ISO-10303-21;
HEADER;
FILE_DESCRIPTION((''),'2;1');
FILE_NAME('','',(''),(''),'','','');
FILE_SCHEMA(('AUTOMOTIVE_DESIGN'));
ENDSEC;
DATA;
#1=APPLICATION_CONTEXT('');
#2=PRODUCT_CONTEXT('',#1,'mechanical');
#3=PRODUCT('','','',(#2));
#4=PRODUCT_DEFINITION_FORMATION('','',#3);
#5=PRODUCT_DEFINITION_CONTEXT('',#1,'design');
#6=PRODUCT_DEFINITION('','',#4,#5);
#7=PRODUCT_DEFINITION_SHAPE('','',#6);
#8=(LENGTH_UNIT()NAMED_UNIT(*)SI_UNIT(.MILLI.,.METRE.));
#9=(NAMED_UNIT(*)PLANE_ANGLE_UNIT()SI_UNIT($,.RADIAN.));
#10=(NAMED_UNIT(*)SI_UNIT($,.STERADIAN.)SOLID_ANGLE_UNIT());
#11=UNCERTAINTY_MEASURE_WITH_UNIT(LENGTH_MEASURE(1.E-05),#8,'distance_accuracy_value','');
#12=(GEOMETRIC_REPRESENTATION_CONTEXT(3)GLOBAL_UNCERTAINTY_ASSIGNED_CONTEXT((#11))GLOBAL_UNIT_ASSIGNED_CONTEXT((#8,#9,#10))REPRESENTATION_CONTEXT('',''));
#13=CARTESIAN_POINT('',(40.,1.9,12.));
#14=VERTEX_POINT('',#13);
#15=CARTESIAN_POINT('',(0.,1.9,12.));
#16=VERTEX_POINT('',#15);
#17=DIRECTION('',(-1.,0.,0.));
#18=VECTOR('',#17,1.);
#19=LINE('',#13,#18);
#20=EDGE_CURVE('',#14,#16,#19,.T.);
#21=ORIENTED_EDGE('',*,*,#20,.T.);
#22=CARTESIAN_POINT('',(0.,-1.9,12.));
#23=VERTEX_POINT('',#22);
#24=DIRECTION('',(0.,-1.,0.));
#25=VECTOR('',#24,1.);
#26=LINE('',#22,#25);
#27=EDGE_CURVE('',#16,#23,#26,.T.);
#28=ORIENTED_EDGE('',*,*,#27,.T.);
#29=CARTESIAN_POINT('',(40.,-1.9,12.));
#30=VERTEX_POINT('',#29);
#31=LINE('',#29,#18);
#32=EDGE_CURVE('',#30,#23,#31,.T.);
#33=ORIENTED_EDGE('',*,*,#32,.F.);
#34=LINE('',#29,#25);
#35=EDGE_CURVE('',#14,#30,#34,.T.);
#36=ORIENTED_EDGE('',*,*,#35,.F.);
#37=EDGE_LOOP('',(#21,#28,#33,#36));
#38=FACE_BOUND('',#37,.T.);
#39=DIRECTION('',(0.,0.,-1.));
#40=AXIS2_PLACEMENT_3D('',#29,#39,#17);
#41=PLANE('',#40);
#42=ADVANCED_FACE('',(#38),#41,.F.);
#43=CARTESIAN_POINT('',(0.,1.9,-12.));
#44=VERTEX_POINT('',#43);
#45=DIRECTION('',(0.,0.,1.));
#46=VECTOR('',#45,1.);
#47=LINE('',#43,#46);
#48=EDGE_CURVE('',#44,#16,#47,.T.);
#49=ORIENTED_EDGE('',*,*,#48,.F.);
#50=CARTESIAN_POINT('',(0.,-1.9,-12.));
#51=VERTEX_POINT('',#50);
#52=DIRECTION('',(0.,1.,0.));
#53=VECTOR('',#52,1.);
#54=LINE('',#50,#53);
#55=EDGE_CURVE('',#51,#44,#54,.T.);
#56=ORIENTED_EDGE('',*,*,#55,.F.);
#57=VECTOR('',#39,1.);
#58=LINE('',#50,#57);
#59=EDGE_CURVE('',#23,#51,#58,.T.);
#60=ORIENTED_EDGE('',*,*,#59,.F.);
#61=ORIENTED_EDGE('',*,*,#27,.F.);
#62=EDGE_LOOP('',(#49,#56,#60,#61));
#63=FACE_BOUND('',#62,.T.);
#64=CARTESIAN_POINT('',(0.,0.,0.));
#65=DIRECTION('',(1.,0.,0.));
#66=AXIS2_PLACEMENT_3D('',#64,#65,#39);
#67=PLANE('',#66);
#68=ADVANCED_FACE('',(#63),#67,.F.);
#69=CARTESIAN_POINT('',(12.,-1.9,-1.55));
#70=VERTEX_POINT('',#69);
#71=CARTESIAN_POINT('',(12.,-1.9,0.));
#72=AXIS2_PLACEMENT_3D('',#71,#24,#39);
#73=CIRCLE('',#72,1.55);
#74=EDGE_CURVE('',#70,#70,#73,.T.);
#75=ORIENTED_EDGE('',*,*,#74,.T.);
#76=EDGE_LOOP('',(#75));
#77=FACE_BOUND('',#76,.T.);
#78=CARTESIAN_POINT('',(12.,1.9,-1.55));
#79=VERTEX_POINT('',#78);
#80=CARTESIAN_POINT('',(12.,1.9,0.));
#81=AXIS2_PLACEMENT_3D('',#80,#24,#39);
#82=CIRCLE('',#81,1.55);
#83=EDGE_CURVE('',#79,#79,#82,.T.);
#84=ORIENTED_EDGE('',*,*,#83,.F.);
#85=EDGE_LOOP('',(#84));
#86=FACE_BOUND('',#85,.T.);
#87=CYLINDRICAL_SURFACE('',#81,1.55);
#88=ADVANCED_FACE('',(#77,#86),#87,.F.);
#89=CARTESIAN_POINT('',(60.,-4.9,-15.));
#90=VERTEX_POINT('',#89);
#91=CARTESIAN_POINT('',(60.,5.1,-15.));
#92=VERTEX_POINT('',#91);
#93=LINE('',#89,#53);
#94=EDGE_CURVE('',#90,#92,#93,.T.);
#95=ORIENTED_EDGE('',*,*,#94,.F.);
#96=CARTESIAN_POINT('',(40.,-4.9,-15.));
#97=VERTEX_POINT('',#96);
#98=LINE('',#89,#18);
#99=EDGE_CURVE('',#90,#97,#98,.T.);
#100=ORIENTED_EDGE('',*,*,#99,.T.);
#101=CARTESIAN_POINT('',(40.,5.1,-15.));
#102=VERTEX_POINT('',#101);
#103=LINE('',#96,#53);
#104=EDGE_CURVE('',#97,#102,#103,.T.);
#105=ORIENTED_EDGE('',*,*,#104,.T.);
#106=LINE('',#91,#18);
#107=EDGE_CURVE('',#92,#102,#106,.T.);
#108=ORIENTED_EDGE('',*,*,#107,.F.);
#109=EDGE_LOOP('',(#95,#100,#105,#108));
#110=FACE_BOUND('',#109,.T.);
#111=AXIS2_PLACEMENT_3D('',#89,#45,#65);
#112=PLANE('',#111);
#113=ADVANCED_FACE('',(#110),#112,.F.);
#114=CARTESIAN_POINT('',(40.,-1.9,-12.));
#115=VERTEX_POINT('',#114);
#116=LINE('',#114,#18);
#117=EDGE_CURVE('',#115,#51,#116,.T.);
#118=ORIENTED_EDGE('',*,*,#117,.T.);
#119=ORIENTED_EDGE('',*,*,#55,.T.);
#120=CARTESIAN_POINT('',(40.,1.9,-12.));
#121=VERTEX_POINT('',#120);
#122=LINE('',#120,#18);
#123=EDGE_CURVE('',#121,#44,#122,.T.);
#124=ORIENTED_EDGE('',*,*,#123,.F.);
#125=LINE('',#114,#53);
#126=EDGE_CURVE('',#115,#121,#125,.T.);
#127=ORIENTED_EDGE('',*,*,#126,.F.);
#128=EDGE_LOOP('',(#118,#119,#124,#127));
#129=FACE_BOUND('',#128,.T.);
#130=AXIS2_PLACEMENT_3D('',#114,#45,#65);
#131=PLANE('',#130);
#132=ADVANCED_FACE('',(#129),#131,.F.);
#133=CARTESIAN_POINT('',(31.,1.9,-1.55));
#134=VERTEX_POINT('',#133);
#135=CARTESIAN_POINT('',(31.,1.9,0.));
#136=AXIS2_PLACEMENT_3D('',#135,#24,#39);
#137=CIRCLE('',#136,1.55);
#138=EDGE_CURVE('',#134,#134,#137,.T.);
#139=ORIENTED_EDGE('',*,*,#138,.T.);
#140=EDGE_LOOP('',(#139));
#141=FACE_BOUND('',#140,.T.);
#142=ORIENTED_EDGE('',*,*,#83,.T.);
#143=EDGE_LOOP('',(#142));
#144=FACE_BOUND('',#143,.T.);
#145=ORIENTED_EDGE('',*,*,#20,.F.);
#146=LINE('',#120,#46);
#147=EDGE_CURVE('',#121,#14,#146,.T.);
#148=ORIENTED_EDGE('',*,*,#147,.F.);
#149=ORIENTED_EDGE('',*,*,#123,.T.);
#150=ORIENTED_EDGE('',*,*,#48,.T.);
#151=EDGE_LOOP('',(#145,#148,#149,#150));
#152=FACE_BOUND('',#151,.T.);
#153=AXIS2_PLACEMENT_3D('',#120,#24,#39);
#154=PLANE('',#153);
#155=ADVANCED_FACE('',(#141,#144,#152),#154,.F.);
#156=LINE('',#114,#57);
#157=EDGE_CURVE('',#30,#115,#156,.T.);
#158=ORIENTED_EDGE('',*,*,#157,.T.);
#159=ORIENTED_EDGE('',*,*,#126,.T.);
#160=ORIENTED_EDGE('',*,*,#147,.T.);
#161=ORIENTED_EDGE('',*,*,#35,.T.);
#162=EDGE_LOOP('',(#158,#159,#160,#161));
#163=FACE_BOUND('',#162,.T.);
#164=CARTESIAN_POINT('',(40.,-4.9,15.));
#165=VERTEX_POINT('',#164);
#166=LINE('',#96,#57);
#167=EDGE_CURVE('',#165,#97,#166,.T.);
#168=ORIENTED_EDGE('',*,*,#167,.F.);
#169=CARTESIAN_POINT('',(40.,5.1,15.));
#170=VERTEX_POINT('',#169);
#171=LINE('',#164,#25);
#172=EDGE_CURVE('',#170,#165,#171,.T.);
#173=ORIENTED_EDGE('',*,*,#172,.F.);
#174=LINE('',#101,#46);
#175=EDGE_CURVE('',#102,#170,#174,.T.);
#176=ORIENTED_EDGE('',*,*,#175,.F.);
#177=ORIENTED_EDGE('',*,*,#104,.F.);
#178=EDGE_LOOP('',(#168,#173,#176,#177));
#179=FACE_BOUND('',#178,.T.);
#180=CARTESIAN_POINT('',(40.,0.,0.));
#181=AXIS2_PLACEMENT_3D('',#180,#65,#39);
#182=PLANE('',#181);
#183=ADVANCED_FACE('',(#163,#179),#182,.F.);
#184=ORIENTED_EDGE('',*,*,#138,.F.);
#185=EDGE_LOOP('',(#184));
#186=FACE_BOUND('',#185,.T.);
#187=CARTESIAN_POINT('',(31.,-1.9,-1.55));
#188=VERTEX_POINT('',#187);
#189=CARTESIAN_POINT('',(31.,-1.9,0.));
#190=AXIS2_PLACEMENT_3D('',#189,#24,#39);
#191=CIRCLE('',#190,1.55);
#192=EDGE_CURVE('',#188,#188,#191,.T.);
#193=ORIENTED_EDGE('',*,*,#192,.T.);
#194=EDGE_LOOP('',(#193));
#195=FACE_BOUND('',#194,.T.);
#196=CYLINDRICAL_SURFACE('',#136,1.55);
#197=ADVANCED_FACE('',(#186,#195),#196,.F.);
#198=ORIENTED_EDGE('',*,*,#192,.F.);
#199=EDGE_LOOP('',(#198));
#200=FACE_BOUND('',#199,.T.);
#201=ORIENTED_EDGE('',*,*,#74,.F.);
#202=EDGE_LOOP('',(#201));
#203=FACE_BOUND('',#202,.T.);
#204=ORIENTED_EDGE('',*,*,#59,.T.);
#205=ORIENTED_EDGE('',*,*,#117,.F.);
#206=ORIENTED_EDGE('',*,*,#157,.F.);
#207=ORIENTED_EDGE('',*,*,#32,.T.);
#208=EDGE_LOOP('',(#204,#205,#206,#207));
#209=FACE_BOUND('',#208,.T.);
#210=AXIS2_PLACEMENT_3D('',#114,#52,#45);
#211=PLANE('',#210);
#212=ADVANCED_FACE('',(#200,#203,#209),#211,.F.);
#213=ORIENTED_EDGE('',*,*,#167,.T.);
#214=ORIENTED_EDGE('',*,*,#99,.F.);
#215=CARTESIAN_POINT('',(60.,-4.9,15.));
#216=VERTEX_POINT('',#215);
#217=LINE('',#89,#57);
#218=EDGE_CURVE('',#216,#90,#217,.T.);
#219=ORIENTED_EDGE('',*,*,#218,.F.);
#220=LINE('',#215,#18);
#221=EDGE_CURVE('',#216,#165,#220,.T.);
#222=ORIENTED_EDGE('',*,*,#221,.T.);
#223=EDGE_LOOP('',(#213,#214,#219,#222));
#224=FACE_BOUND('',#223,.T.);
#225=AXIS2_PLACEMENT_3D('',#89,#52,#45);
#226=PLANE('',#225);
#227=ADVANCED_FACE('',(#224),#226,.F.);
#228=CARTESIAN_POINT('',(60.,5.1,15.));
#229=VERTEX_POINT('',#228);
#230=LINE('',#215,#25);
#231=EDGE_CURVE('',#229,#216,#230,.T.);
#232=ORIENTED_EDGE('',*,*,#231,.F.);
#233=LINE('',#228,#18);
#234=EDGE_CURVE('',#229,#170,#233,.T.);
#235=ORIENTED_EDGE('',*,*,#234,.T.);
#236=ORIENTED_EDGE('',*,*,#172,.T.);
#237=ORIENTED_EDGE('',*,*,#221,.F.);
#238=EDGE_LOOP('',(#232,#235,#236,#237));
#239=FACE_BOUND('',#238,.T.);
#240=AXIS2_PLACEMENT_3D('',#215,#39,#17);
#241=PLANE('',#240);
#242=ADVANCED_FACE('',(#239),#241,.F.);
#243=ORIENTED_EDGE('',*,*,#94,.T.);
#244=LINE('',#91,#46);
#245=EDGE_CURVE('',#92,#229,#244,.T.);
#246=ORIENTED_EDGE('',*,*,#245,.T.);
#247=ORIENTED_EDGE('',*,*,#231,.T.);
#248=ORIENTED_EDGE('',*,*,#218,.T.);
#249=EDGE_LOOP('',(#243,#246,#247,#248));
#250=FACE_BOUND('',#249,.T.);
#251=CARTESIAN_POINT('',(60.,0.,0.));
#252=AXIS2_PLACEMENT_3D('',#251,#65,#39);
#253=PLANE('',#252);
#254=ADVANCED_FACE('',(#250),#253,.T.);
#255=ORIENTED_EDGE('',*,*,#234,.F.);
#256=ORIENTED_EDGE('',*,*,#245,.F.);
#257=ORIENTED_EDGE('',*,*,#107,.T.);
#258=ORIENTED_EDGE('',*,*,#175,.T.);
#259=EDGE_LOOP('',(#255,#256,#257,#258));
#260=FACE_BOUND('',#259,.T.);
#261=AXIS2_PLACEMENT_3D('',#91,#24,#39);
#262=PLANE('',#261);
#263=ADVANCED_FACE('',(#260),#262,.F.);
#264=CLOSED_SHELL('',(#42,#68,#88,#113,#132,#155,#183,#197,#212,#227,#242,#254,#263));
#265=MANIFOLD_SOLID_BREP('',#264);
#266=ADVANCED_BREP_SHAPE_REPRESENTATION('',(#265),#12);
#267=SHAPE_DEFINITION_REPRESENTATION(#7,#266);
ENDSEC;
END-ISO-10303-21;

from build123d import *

# Parameters (mm, degrees)
SKETCH1_W           = 24
SKETCH1_H           = 3.8
BOSS_EXTRUDE1_DEPTH = 40
SKETCH2_R           = 1.55
CUT_EXTRUDE1_DEPTH  = 42.933757285
SKETCH3_W           = 30
SKETCH3_H           = 10
BOSS_EXTRUDE2_DEPTH = 20


with BuildPart() as part:
    # Sketch1 → Boss-Extrude1 (new body)
    with BuildSketch(Plane(origin=(0, 0, 0), x_dir=(0, 0, -1), z_dir=(1, 0, 0))):
        Rectangle(SKETCH1_W, SKETCH1_H)
    extrude(amount=BOSS_EXTRUDE1_DEPTH)

    # Sketch2 → Cut-Extrude1 (cut, through all)
    with BuildSketch(Plane.XZ.offset(1.9)):
        with Locations(Location((12, 0, 0), (0, 0, 270))):
            Circle(SKETCH2_R)
        with Locations(Location((31, 0, 0), (0, 0, 270))):
            Circle(SKETCH2_R)
    extrude(amount=-CUT_EXTRUDE1_DEPTH, mode=Mode.SUBTRACT)

    # Sketch3 → Boss-Extrude2 (add)
    with BuildSketch(Plane(origin=(40, 0, 0), x_dir=(0, 0, -1), z_dir=(1, 0, 0))):
        with Locations((0, 0.1)):
            Rectangle(SKETCH3_W, SKETCH3_H)
    extrude(amount=BOSS_EXTRUDE2_DEPTH)


solid = part.part
